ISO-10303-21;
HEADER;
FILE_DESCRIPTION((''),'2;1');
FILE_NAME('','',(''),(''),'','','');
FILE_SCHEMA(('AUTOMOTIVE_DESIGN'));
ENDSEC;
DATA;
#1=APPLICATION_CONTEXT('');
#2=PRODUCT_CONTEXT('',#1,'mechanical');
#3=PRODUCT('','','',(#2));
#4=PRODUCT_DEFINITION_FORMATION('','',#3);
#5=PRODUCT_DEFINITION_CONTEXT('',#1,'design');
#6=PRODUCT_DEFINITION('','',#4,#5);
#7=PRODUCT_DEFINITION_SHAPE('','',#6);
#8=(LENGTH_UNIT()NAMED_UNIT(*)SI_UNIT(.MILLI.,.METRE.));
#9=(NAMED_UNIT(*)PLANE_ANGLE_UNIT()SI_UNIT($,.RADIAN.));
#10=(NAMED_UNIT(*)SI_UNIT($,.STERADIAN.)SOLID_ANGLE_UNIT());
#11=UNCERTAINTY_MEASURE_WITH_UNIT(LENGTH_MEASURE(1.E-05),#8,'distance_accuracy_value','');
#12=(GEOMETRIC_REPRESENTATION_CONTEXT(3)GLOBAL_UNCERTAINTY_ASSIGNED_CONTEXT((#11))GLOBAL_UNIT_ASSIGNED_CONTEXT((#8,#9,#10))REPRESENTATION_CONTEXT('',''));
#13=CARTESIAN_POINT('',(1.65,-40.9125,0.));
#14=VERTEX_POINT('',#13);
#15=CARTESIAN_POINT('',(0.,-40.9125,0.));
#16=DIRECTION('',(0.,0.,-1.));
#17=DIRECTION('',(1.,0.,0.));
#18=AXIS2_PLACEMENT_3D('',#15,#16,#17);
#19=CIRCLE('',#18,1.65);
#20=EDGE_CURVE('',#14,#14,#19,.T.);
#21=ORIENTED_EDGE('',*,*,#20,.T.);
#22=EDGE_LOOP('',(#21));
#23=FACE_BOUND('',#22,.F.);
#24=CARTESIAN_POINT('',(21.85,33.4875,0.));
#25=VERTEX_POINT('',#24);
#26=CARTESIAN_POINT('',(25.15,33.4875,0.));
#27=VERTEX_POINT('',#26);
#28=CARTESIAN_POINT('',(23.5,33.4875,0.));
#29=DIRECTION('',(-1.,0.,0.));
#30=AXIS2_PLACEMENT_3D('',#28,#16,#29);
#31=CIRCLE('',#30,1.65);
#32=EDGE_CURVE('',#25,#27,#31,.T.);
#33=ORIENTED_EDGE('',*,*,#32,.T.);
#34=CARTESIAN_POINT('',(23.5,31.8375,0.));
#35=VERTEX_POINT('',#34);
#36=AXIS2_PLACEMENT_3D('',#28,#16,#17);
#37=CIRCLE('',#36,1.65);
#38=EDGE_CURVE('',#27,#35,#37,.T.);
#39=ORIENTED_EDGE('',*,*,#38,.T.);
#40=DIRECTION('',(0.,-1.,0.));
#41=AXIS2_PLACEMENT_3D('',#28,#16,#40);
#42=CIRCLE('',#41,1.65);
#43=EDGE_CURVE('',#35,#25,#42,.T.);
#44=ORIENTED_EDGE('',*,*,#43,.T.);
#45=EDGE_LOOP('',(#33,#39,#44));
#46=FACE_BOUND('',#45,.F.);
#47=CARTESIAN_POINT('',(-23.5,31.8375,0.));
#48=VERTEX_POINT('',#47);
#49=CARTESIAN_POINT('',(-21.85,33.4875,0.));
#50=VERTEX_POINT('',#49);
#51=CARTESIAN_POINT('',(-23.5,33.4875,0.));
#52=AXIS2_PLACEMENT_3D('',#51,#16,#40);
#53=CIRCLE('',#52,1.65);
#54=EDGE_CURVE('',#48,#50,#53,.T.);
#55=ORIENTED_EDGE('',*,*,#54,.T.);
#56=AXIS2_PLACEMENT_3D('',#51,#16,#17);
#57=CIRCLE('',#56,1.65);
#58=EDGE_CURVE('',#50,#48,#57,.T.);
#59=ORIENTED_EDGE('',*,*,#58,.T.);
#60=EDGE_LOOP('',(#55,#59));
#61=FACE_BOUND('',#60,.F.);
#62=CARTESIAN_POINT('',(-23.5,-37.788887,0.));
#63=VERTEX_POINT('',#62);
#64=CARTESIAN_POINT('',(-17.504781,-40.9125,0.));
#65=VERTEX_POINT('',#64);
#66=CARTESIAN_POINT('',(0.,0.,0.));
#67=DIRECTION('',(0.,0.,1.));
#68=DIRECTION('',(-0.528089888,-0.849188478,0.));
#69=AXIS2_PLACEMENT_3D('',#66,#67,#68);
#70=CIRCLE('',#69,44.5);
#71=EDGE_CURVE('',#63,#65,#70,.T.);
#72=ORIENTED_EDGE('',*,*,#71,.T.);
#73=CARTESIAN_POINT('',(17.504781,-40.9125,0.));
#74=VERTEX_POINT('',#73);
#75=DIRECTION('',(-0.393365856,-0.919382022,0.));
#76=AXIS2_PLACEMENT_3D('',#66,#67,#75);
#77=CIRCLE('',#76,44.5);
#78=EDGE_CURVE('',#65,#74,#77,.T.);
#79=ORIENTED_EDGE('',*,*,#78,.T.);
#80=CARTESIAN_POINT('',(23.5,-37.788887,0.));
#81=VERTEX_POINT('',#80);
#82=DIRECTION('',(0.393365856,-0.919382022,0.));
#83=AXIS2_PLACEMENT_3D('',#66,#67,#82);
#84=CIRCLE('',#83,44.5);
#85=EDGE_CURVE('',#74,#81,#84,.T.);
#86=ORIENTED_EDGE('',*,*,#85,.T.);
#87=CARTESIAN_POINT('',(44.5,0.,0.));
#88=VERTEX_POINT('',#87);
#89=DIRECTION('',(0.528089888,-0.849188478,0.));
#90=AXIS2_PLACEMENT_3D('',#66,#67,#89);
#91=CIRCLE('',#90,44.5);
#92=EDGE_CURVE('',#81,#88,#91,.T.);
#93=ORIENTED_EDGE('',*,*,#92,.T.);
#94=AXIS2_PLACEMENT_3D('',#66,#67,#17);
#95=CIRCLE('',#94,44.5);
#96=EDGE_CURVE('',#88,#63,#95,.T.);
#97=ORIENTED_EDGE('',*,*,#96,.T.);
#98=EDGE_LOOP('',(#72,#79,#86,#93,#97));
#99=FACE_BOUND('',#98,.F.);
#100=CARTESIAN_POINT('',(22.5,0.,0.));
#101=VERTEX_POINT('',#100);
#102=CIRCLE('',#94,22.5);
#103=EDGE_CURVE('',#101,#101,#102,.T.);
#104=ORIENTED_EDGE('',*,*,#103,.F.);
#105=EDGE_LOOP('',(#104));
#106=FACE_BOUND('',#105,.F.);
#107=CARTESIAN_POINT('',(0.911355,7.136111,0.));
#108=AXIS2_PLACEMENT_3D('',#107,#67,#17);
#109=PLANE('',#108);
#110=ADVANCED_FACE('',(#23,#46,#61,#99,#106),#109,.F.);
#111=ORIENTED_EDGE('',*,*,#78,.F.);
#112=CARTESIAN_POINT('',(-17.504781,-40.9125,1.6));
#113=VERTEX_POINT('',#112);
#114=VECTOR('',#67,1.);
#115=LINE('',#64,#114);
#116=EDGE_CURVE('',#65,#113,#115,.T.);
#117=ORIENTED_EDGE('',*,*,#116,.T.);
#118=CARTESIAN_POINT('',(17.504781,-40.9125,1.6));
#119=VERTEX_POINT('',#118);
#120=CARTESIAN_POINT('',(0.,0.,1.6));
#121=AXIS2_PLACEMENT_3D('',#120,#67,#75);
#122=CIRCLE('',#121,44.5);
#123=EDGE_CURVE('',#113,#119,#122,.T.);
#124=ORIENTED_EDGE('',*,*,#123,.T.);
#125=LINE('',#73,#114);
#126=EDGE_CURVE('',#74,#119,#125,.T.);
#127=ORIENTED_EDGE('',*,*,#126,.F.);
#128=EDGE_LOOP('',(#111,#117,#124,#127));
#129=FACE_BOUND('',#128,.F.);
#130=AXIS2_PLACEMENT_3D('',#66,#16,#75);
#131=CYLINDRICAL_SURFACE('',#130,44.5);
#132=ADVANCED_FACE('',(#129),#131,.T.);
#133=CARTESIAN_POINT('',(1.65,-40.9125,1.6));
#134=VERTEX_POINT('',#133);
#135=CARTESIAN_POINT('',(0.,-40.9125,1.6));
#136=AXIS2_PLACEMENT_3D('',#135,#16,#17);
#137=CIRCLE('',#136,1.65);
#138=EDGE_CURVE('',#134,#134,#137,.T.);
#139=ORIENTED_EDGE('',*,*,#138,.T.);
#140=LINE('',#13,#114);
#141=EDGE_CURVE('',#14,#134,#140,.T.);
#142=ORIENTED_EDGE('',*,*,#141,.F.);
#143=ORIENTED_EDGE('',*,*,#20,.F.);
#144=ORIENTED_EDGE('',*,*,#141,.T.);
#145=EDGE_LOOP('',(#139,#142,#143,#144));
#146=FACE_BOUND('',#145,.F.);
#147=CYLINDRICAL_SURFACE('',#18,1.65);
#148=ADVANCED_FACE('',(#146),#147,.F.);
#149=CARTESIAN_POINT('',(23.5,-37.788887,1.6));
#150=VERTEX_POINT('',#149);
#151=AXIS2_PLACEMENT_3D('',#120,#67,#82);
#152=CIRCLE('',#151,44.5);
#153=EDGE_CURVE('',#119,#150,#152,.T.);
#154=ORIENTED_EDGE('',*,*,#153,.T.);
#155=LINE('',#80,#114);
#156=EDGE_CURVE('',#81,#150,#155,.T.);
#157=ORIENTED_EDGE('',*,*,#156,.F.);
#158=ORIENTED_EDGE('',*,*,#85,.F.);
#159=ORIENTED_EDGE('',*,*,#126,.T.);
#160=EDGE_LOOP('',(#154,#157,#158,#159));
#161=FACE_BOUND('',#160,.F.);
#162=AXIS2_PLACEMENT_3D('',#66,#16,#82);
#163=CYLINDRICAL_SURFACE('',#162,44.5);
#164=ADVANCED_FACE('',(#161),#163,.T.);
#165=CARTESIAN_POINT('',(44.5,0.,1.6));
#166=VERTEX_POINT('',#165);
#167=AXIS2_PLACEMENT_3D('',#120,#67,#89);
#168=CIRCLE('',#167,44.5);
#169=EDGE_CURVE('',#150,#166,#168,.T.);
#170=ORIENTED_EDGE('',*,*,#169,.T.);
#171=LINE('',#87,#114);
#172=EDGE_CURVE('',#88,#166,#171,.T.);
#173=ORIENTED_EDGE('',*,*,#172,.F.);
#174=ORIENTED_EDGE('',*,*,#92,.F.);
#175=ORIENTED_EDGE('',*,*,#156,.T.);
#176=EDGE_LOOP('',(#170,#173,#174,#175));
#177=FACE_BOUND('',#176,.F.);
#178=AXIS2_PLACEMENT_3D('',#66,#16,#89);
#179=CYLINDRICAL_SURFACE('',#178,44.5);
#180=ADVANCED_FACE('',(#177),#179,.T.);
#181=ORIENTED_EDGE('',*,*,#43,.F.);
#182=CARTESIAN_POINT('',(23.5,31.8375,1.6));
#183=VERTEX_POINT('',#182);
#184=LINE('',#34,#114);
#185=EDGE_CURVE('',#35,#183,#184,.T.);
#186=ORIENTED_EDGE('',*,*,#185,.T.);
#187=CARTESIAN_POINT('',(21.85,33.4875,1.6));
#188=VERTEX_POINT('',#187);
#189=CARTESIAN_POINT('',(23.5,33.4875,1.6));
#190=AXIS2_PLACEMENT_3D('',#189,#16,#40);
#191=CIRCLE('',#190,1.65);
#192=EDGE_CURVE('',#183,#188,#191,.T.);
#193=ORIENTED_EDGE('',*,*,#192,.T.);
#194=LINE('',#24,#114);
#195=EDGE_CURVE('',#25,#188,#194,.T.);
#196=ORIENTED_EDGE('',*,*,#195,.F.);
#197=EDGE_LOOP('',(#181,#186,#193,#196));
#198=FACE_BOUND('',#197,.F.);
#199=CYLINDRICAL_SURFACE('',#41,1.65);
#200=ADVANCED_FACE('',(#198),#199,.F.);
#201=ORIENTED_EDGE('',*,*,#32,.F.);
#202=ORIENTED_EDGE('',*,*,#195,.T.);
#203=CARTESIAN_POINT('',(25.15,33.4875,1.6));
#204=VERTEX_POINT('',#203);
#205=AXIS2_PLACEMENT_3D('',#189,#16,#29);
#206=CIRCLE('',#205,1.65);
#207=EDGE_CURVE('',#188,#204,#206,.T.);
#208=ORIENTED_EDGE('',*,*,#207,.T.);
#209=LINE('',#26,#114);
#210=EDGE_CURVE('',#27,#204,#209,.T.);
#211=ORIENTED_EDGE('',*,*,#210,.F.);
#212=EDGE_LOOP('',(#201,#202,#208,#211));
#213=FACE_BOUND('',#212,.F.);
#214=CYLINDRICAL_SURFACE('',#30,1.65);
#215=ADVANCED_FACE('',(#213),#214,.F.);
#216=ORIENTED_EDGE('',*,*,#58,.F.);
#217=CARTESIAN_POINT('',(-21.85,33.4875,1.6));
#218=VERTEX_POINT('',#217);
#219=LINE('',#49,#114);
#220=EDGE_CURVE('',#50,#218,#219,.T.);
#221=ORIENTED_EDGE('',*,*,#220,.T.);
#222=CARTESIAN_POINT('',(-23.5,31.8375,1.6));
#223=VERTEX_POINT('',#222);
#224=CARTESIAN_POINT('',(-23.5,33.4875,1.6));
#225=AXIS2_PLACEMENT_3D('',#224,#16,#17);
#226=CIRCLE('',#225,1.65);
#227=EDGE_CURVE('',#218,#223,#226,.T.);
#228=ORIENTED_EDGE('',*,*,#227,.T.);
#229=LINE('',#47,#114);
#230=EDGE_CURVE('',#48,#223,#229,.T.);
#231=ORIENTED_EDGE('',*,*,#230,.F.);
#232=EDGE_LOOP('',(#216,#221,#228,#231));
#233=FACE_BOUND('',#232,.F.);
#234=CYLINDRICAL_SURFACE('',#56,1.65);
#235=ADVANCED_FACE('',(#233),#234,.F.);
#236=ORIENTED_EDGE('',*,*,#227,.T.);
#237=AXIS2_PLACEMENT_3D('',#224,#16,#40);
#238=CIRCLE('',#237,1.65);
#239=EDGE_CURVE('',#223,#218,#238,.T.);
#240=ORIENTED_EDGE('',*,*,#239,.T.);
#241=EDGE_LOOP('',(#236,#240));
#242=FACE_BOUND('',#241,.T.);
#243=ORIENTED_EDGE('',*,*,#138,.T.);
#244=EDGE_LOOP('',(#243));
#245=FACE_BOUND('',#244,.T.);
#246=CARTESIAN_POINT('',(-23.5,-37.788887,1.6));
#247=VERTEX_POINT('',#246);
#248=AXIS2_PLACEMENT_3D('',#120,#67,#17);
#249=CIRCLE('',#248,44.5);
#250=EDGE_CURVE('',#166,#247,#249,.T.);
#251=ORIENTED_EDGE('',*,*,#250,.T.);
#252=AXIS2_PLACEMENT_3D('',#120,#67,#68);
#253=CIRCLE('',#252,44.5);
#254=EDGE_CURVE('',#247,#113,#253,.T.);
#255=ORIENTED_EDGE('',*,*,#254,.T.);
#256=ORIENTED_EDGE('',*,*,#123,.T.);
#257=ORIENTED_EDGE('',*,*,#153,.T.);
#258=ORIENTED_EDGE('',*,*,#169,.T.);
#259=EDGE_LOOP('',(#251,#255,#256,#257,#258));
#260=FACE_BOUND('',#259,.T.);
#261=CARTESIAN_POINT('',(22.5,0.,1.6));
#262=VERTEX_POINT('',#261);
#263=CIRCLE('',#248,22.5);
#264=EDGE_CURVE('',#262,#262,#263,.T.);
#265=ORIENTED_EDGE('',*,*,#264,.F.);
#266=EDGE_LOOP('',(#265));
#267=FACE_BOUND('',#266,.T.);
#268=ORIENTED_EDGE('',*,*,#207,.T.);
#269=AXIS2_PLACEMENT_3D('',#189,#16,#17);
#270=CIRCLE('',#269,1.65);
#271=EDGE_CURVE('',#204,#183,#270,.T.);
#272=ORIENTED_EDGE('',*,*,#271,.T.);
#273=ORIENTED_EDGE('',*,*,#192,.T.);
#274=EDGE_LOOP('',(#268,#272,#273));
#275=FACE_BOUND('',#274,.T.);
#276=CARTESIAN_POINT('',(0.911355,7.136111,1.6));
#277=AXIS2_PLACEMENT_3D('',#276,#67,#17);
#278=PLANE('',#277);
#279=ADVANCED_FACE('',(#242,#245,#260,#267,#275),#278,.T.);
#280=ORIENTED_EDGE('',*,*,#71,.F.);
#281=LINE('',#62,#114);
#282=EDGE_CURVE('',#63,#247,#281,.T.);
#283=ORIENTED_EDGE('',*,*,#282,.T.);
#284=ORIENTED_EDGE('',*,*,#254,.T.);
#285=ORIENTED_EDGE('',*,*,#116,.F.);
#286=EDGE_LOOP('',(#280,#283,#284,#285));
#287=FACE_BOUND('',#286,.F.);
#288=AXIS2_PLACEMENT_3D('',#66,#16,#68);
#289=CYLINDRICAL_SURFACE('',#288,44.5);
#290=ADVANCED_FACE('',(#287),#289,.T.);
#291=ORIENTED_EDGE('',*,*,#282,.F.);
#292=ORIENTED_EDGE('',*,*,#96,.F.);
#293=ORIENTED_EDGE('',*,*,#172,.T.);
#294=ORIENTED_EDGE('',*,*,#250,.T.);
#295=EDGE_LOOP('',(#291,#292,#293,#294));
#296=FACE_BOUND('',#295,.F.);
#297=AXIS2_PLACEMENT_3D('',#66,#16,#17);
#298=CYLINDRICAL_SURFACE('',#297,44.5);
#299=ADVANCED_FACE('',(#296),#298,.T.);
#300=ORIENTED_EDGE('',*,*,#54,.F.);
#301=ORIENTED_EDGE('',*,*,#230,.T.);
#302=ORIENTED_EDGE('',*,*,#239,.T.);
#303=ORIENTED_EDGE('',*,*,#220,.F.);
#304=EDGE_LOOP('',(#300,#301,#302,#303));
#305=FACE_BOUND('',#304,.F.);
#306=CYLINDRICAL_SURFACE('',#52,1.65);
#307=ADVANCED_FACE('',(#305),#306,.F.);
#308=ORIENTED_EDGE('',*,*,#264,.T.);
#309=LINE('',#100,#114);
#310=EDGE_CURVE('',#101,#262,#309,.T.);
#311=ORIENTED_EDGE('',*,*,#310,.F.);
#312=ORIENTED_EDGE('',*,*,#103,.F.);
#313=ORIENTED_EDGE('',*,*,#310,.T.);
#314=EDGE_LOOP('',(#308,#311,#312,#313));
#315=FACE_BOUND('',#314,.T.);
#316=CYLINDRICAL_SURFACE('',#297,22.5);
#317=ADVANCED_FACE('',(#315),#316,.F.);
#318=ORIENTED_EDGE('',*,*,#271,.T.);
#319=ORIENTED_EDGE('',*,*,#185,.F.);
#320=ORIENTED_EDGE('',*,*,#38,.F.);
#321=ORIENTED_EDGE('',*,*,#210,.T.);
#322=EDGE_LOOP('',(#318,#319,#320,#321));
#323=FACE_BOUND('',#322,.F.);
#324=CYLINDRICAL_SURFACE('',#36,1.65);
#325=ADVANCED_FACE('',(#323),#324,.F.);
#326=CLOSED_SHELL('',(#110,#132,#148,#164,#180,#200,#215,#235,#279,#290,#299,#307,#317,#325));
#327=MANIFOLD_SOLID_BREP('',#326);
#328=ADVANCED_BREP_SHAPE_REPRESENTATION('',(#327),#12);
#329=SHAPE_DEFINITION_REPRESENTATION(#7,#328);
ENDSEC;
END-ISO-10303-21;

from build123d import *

# Parameters (mm, degrees)
F0_R     = 22.5
F1_DEPTH = 1.6


with BuildPart() as f1:
    # F0 (on Top) → F1 (new body)
    with BuildSketch(Plane.XY):
        with BuildLine():
            ThreePointArc((23.5, -37.7888872554), (38.8973006776, -21.6159663212), (44.5, 0))
            ThreePointArc((44.5, 0), (-21.6159663212, 38.8973006776), (-23.5, -37.7888872554))
            Line((-23.5, -37.7888872554), (-23.5, 31.8375))
            ThreePointArc((-23.5, 31.8375), (-24.666726189, 34.654226189), (-21.85, 33.4875))
            Line((-21.85, 33.4875), (21.85, 33.4875))
            ThreePointArc((21.85, 33.4875), (23.5, 35.1375), (25.15, 33.4875))
            ThreePointArc((25.15, 33.4875), (24.666726189, 32.320773811), (23.5, 31.8375))
            Line((23.5, 31.8375), (23.5, -37.7888872554))
        make_face()
        with BuildLine():
            Line((-23.5, 31.8375), (-23.5, -37.7888872554))
            ThreePointArc((-23.5, -37.7888872554), (-20.5617909506, -39.4647026202), (-17.504780597, -40.9125))
            Line((-17.504780597, -40.9125), (-1.65, -40.9125))
            ThreePointArc((-1.65, -40.9125), (0, -39.2625), (1.65, -40.9125))
            Line((1.65, -40.9125), (17.504780597, -40.9125))
            ThreePointArc((17.504780597, -40.9125), (20.5617909506, -39.4647026202), (23.5, -37.7888872554))
            Line((23.5, -37.7888872554), (23.5, 31.8375))
            ThreePointArc((23.5, 31.8375), (22.333273811, 32.320773811), (21.85, 33.4875))
            Line((21.85, 33.4875), (-21.85, 33.4875))
            ThreePointArc((-21.85, 33.4875), (-22.333273811, 32.320773811), (-23.5, 31.8375))
        make_face()
        Circle(F0_R, mode=Mode.SUBTRACT)
        with BuildLine():
            Line((-1.65, -40.9125), (-17.504780597, -40.9125))
            ThreePointArc((-17.504780597, -40.9125), (0, -44.5), (17.504780597, -40.9125))
            Line((17.504780597, -40.9125), (1.65, -40.9125))
            ThreePointArc((1.65, -40.9125), (0, -42.5625), (-1.65, -40.9125))
        make_face()
    extrude(amount=F1_DEPTH)


solid = f1.part
